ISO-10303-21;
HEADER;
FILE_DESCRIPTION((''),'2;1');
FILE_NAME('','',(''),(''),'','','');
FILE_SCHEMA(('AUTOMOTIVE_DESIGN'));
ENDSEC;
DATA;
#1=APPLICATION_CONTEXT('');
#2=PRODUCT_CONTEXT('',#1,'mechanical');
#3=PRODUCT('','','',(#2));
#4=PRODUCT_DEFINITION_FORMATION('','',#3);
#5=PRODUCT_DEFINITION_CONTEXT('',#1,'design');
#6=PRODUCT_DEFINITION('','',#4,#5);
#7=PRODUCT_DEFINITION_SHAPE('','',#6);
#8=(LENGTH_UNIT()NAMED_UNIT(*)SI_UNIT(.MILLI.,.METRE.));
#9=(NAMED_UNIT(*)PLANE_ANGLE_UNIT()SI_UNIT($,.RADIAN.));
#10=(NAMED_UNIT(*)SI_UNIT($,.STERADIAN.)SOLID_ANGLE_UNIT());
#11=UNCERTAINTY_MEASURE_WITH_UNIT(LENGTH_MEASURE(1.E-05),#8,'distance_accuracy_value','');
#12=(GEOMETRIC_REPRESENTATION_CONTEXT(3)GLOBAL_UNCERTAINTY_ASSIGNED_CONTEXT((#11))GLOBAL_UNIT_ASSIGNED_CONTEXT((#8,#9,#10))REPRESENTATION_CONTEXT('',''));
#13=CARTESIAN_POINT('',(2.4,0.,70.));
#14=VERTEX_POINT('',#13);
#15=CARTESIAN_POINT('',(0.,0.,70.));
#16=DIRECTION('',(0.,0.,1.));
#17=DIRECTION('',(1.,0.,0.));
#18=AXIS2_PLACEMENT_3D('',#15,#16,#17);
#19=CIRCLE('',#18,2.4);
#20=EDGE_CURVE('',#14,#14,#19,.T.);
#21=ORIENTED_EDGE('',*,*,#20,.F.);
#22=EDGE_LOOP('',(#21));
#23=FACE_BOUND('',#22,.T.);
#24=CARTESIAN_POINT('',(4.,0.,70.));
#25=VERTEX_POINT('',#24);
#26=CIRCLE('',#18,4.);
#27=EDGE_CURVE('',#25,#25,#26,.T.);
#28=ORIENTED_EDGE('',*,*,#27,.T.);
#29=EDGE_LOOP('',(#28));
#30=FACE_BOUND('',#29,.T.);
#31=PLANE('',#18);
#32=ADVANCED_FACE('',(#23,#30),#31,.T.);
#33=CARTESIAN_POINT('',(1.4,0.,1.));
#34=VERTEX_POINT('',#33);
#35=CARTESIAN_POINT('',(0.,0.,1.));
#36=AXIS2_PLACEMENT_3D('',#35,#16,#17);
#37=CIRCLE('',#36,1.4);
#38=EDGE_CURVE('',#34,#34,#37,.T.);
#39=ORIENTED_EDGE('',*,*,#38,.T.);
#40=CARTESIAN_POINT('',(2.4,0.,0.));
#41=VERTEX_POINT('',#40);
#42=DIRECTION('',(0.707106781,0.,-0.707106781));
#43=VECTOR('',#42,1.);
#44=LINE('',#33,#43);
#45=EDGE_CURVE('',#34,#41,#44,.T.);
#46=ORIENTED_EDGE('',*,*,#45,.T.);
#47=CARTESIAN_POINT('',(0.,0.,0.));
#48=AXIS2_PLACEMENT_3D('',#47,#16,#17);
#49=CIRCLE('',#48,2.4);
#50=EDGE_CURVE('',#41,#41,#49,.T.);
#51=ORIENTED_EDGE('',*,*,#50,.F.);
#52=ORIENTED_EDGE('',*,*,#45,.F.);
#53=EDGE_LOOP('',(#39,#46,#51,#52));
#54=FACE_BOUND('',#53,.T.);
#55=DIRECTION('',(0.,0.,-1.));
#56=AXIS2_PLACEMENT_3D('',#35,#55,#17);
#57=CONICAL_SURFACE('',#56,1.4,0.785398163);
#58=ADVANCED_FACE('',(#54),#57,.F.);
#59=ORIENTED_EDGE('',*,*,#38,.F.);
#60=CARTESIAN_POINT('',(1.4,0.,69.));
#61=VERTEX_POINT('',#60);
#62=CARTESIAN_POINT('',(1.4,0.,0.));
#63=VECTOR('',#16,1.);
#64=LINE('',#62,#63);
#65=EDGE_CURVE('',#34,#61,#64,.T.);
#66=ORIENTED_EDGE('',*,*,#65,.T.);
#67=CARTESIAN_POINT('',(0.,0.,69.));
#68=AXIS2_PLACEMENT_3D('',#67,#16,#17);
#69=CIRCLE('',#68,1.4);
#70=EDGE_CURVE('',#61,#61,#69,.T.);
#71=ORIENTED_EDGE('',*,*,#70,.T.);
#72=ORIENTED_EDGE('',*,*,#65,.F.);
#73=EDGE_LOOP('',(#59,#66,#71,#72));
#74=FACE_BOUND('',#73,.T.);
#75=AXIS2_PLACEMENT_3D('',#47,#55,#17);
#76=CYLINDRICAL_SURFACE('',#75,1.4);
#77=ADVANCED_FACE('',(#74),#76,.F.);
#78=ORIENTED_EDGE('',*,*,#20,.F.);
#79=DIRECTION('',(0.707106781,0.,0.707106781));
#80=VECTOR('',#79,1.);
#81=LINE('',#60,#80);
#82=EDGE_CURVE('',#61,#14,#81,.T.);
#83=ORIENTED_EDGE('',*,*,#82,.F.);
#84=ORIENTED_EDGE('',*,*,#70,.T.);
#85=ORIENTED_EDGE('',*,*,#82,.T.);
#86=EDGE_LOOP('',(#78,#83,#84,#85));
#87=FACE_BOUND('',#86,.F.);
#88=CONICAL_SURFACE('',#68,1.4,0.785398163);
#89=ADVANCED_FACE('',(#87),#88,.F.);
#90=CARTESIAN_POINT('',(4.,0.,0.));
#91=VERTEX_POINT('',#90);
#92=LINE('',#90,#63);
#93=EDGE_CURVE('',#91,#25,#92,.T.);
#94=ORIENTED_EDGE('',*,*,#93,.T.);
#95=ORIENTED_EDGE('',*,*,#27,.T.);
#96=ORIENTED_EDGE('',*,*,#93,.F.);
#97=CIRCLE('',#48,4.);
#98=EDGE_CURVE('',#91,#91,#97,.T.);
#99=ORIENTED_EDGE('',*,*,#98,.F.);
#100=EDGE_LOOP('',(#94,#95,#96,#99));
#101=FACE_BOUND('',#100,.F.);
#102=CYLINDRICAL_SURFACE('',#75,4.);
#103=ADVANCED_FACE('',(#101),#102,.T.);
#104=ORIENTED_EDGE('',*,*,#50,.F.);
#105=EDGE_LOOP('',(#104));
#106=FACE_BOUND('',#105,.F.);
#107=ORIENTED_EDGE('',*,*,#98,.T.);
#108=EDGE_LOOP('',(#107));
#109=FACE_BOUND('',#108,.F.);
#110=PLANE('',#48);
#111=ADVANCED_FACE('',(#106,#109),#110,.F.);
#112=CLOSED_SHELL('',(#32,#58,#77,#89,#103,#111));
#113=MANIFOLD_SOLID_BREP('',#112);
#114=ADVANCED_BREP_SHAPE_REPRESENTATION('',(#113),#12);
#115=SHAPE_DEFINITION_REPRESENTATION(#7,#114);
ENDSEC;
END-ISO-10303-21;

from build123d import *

# Parameters (mm, degrees)
SKETCH_R     = 4
SKETCH_R_2   = 1.4
PAD_DEPTH    = 70
CHAMFER_SIZE = 1


with BuildPart() as part:
    # Sketch → Pad (new body)
    with BuildSketch(Plane.XY):
        Circle(SKETCH_R)
        Circle(SKETCH_R_2, mode=Mode.SUBTRACT)
    extrude(amount=PAD_DEPTH)

    # Chamfer
    chamfer_edges = [part.edges().sort_by_distance(p)[0] for p in [
        (-1.4, 0, 70),
        (-1.4, 0, 0),
    ]]
    chamfer(chamfer_edges, length=CHAMFER_SIZE)


solid = part.part
